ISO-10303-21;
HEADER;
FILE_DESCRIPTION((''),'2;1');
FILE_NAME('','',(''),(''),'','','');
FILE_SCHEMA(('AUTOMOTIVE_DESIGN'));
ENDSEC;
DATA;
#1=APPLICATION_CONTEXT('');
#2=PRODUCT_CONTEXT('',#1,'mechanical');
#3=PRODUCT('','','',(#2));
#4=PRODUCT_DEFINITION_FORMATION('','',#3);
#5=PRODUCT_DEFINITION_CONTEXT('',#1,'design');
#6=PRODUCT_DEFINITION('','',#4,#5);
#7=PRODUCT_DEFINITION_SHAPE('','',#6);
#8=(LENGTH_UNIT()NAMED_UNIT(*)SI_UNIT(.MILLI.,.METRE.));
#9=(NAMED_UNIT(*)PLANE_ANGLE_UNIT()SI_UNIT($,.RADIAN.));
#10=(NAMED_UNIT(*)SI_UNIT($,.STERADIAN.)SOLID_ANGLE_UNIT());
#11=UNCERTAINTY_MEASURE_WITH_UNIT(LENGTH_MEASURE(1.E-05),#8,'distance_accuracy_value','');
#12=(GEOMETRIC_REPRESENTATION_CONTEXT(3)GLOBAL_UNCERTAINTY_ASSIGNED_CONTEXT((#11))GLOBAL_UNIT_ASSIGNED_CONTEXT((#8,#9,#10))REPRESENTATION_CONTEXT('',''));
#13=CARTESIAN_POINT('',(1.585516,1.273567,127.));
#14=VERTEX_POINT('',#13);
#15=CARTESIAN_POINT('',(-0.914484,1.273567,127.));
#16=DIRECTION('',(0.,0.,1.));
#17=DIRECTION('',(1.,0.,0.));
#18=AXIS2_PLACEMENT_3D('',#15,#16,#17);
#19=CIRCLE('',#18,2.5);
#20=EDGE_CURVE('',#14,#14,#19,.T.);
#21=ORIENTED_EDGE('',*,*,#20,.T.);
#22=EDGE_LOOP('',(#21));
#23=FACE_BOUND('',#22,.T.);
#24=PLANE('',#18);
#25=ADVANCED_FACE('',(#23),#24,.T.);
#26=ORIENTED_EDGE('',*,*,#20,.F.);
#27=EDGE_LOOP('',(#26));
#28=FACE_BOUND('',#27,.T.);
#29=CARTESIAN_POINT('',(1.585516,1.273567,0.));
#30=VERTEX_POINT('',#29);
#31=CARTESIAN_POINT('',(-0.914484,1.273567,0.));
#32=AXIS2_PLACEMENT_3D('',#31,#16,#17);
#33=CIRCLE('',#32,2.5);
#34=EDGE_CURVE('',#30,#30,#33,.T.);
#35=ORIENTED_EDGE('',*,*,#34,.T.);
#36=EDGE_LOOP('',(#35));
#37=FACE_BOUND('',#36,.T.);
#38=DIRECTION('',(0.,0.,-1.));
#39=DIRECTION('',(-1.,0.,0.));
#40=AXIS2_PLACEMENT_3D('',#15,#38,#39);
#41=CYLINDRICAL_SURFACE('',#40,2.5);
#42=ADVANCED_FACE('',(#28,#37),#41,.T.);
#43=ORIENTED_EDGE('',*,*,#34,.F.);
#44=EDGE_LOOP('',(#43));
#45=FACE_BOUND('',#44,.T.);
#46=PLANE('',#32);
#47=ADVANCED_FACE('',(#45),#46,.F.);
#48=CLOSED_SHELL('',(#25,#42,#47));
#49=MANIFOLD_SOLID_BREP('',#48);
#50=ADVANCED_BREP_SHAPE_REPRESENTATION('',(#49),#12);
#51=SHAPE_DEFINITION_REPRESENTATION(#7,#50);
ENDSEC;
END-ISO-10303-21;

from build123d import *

# Parameters (mm, degrees)
SKETCH1_R           = 2.5
BOSS_EXTRUDE1_DEPTH = 127


with BuildPart() as part:
    # Sketch1 → Boss-Extrude1 (new body)
    with BuildSketch(Plane.XY):
        with Locations((-0.914484114, 1.273567416)):
            Circle(SKETCH1_R)
    extrude(amount=BOSS_EXTRUDE1_DEPTH)


solid = part.part
